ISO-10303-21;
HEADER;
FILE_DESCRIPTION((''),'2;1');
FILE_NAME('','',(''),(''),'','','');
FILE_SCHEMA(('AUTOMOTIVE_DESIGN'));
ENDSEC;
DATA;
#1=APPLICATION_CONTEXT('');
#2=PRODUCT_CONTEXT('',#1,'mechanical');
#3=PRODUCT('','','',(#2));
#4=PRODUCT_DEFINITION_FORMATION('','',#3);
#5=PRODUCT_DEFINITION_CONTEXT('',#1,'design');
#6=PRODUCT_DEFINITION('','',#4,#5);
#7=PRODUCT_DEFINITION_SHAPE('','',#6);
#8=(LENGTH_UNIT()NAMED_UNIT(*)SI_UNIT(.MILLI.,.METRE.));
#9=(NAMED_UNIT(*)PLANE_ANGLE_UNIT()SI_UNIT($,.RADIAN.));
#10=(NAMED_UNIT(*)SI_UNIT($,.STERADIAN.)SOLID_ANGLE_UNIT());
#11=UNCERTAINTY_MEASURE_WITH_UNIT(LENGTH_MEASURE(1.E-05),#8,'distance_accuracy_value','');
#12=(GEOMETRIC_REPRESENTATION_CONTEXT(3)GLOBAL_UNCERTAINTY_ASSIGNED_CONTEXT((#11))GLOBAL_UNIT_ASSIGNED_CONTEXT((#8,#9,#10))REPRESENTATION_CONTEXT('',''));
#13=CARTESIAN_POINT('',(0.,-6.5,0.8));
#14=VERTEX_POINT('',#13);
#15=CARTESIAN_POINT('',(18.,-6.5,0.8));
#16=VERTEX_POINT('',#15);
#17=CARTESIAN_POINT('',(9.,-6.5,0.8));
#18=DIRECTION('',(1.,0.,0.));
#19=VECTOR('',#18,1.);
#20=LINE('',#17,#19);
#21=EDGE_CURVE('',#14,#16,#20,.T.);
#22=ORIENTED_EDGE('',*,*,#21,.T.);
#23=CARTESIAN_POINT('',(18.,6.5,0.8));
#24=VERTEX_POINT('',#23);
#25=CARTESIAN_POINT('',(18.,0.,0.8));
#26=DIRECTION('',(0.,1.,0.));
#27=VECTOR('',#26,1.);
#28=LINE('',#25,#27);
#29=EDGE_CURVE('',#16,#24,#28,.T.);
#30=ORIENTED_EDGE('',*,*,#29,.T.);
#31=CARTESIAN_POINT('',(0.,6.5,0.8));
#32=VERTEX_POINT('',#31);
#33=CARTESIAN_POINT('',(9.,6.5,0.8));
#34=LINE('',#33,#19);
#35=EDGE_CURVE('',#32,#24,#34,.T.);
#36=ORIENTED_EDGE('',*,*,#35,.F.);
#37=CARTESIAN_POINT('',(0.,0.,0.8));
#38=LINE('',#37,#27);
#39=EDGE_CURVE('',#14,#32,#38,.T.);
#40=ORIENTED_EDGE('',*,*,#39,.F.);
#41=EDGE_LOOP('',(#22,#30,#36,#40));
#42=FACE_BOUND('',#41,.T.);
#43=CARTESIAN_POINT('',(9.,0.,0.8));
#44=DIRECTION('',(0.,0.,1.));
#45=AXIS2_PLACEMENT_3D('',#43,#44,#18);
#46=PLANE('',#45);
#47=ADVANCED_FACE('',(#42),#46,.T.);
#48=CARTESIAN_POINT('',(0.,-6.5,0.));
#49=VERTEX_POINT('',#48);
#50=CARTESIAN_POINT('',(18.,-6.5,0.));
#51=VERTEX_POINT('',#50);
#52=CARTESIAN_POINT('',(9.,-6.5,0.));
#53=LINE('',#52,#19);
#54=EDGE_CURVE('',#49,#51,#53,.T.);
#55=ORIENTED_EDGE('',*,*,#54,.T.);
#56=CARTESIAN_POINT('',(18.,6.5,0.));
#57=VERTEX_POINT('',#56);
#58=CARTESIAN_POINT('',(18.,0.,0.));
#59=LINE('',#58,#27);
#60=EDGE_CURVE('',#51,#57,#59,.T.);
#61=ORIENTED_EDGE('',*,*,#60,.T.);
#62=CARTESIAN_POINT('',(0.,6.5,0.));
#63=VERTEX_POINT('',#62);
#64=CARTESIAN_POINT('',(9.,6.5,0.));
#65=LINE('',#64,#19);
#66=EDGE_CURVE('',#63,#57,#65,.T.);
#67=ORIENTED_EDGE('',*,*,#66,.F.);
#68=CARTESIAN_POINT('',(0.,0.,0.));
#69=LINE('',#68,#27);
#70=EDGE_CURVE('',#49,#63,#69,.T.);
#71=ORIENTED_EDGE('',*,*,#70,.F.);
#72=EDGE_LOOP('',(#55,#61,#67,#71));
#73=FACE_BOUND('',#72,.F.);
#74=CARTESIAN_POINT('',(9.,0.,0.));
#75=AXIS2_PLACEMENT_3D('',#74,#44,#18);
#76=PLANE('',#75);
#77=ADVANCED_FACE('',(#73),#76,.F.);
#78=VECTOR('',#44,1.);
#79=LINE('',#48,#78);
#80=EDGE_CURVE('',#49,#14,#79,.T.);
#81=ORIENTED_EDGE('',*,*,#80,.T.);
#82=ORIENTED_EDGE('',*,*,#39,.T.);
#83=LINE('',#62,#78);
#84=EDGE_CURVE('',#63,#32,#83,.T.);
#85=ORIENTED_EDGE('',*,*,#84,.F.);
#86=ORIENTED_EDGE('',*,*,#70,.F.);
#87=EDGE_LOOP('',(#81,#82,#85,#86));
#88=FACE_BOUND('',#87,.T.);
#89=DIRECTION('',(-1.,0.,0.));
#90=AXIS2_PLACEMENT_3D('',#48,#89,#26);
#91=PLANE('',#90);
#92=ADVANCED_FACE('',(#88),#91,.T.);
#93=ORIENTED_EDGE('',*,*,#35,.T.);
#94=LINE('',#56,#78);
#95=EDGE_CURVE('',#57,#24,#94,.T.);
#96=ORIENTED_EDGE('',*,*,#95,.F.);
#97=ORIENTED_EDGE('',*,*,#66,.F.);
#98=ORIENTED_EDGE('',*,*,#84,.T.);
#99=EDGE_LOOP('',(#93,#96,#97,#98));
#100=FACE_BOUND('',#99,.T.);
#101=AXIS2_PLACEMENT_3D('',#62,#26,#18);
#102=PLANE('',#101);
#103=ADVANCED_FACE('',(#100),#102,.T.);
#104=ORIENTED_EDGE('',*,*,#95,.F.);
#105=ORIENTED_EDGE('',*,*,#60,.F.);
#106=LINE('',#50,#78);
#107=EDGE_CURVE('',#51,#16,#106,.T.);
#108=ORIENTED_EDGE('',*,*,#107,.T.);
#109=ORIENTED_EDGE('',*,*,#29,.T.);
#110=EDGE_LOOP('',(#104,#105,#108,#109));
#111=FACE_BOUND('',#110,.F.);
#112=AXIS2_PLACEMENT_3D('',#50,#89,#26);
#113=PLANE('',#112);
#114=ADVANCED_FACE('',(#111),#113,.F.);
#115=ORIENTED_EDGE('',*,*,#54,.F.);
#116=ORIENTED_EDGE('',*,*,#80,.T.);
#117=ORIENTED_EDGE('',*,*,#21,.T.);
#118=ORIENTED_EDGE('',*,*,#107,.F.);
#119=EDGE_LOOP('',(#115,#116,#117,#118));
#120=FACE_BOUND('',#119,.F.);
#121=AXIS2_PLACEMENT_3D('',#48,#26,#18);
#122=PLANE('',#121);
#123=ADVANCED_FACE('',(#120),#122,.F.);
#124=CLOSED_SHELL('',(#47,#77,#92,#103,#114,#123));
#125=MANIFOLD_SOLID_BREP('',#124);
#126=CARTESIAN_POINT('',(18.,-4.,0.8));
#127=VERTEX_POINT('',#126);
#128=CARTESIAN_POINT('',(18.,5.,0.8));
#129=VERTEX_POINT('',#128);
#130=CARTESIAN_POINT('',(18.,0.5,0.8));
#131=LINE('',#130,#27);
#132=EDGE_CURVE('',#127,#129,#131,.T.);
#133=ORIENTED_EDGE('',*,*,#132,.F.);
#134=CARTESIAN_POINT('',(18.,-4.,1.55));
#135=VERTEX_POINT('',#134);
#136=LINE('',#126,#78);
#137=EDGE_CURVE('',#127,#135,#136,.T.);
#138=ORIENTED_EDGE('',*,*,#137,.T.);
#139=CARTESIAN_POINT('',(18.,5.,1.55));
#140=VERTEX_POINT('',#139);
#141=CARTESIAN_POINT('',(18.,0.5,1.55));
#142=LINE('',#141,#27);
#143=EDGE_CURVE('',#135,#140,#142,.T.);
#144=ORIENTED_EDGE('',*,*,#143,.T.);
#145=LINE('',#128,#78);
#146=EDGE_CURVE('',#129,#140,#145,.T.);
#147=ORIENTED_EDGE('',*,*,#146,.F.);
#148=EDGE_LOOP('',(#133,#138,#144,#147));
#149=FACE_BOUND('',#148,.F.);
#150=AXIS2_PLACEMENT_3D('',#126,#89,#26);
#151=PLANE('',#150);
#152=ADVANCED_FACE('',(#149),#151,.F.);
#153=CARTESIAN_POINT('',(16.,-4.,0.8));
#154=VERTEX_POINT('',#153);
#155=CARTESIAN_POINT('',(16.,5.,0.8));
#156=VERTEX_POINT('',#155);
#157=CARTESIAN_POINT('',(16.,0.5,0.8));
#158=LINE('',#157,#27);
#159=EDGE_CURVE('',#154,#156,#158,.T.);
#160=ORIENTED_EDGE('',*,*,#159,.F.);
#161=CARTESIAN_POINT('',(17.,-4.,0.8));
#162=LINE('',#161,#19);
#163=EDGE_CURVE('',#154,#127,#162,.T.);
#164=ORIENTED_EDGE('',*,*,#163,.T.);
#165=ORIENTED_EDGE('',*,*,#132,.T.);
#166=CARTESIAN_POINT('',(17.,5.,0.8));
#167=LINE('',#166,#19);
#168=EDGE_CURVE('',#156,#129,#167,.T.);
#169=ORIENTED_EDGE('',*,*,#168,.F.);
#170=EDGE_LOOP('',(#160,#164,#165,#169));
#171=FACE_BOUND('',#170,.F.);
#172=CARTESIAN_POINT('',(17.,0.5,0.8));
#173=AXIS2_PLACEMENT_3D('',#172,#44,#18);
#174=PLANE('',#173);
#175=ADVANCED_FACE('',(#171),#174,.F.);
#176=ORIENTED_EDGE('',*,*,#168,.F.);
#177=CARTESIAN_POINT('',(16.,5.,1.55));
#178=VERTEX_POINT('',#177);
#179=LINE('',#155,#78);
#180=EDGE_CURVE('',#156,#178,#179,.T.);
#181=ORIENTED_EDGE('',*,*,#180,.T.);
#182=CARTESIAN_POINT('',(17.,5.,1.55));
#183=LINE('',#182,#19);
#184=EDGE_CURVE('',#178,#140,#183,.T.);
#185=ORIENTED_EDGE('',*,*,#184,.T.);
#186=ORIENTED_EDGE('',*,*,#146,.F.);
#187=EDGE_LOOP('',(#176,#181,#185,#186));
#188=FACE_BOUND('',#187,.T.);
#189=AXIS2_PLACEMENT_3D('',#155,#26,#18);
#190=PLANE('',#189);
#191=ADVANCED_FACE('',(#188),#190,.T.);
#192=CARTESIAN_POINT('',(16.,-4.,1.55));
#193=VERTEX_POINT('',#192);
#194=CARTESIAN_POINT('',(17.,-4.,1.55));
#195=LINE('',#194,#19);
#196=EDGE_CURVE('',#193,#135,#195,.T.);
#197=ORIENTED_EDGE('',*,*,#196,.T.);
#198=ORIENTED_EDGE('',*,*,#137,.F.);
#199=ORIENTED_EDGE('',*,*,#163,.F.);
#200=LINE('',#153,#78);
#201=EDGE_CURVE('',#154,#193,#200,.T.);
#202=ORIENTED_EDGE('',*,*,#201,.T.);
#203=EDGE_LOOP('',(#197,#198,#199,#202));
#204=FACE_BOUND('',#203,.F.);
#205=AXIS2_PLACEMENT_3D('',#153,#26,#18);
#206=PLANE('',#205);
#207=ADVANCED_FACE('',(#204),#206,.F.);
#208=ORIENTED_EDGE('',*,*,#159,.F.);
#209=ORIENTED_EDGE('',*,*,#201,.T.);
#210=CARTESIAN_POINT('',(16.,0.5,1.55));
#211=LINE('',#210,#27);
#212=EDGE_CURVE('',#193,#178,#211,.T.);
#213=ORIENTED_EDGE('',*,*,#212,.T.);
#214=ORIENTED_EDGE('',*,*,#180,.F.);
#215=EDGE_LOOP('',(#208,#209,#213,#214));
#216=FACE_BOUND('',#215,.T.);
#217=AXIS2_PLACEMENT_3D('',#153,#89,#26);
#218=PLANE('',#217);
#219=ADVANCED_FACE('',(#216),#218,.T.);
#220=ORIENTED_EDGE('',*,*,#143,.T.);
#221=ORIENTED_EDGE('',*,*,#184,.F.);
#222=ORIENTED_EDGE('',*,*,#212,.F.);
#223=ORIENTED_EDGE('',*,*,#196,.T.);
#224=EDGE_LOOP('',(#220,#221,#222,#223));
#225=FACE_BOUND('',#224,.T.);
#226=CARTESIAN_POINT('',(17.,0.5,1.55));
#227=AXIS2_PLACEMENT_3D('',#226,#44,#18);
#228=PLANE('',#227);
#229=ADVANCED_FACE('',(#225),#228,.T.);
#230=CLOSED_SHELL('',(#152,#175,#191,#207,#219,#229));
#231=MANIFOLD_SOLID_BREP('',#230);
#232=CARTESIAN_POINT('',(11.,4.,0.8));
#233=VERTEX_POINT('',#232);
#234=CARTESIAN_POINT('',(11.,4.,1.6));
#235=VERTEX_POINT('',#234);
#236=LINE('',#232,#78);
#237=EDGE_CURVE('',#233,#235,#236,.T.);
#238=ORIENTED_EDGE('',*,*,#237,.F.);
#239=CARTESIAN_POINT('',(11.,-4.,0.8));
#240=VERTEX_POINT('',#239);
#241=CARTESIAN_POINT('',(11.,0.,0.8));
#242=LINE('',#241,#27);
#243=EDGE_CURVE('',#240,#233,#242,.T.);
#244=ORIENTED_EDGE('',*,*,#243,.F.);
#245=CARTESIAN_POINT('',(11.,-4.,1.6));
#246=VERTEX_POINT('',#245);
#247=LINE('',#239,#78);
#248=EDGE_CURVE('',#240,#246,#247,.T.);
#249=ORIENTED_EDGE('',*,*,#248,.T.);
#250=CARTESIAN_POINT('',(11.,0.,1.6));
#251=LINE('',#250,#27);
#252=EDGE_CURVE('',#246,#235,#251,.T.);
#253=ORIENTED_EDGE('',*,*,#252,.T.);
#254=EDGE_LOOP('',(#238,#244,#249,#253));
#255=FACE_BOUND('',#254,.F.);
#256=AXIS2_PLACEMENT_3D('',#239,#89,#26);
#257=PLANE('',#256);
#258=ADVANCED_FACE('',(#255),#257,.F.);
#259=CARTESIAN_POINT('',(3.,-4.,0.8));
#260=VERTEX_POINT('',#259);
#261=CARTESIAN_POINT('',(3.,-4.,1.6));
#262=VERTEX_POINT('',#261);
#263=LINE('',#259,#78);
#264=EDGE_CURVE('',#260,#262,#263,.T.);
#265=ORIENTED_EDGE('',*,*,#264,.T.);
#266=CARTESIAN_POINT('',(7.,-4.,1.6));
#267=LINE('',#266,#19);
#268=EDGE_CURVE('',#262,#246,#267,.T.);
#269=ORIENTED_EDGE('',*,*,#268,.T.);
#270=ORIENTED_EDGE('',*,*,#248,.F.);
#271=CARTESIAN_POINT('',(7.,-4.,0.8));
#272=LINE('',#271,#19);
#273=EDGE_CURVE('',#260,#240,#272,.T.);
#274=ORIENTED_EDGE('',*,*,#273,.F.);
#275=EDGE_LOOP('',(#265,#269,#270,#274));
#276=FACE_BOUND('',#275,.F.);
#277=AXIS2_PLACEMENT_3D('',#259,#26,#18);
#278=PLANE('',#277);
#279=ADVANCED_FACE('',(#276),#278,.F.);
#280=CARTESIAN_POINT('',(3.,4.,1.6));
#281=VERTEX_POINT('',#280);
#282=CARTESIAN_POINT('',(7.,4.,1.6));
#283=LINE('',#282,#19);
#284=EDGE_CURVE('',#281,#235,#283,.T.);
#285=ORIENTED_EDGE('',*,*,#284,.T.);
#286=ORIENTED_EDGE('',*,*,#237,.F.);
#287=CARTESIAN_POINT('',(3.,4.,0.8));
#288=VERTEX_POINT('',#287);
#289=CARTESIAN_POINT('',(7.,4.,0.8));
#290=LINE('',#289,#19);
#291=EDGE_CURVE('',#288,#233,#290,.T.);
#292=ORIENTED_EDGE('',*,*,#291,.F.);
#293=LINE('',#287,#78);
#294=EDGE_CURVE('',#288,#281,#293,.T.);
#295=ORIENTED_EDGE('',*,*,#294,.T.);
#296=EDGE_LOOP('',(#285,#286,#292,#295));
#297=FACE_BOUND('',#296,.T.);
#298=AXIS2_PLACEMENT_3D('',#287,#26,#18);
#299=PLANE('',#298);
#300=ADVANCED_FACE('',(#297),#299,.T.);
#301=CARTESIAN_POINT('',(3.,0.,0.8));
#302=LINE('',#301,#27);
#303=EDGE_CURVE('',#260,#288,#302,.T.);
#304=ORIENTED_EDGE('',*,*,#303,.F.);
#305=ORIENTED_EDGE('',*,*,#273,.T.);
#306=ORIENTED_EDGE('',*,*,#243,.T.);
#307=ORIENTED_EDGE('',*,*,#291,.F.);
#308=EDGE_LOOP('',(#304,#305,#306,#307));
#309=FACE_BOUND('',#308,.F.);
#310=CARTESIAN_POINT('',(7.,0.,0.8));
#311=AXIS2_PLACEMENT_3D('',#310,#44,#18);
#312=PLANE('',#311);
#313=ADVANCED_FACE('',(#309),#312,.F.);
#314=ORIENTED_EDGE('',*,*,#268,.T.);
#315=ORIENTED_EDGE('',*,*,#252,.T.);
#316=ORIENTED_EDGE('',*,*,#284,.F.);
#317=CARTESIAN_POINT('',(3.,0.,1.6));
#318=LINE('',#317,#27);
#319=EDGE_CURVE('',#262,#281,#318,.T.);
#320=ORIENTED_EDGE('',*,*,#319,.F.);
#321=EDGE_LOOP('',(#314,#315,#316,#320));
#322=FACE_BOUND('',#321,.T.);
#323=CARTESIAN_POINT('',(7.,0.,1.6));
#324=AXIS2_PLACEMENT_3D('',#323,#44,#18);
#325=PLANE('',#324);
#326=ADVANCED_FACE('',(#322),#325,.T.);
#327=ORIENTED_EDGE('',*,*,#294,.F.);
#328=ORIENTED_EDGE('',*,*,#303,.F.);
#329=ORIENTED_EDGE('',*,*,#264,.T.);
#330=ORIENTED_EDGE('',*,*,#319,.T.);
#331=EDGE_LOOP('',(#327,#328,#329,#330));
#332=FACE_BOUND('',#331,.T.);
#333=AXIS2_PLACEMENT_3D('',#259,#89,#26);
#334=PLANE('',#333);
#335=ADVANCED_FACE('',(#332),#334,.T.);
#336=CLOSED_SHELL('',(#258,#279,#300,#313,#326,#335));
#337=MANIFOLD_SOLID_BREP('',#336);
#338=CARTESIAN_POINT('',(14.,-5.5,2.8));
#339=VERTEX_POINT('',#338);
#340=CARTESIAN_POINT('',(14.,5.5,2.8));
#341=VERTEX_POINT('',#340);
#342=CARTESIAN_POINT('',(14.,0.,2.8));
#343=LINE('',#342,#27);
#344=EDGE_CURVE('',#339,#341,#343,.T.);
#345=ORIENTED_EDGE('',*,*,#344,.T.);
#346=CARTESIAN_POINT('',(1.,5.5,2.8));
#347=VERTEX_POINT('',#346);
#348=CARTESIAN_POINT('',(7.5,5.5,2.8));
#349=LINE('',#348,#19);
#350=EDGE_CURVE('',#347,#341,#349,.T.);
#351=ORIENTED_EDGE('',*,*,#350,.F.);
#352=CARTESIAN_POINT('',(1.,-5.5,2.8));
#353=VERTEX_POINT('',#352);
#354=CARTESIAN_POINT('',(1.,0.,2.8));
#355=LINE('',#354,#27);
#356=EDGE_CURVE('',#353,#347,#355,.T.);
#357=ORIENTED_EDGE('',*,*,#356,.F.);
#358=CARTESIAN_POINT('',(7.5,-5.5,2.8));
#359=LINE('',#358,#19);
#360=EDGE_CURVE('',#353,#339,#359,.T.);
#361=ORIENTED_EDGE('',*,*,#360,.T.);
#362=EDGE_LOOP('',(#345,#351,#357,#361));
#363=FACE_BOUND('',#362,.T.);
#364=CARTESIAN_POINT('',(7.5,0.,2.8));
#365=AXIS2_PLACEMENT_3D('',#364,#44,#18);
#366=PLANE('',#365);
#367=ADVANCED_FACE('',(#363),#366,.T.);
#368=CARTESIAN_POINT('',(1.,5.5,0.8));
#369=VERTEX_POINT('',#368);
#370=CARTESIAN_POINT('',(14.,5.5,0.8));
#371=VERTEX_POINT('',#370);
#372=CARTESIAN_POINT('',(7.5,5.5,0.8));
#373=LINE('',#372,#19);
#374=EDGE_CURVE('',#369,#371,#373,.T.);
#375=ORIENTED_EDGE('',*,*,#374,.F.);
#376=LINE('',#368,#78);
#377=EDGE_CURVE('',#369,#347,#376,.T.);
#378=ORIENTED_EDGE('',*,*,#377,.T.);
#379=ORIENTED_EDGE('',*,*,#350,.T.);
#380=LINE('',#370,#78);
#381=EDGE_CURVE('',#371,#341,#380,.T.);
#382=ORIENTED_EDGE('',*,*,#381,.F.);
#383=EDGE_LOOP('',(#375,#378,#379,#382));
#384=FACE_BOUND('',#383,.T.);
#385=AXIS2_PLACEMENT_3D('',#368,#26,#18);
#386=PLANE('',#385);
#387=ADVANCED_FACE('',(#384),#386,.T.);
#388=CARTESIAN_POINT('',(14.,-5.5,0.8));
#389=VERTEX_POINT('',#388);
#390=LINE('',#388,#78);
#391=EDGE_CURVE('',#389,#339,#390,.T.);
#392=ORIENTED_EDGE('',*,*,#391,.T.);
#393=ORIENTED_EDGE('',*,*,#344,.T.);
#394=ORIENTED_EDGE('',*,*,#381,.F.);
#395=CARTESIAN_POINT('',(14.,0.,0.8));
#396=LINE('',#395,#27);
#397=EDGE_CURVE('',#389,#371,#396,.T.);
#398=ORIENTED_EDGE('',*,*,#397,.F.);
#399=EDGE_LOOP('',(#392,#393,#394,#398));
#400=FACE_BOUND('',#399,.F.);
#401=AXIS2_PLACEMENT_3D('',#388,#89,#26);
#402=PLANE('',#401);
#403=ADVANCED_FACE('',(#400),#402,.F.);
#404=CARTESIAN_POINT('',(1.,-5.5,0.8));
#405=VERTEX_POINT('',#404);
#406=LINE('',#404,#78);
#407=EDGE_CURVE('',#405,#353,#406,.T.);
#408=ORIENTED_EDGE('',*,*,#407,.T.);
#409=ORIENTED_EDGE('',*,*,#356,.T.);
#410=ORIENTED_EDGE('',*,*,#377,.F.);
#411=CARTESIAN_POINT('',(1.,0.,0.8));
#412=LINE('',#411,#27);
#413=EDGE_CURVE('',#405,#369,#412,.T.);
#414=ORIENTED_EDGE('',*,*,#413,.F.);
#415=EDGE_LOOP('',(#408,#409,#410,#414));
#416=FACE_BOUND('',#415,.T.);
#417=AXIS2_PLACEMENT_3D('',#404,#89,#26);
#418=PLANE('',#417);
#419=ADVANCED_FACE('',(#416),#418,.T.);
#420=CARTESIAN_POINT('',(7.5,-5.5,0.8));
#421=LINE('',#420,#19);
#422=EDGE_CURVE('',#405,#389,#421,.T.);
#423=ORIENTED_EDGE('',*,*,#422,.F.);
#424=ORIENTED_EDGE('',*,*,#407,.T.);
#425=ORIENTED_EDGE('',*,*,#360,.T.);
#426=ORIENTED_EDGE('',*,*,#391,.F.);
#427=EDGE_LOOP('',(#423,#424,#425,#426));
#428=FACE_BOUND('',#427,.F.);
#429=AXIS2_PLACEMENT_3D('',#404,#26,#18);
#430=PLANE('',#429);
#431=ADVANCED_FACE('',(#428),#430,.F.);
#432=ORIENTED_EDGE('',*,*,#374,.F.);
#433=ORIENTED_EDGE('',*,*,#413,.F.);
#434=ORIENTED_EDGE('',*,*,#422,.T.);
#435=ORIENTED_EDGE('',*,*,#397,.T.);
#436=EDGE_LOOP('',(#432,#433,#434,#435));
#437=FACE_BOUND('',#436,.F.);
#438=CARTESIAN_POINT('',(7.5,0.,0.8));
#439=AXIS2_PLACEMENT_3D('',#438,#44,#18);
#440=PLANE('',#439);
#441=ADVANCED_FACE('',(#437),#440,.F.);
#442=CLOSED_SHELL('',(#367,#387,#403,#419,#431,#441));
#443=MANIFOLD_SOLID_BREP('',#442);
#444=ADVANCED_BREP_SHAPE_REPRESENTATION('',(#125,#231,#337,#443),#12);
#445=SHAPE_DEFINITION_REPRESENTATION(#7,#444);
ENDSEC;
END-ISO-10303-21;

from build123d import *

# Parameters (mm, degrees)
BOX_W        = 18
BOX_H        = 13
BOX_DEPTH    = 0.8
BOX001_W     = 13
BOX001_H     = 11
BOX001_DEPTH = 2
BOX002_W     = 2
BOX002_H     = 9
BOX002_DEPTH = 0.75
BOX003_W     = 8
BOX003_H     = 8
BOX003_DEPTH = 0.8


with BuildPart() as pcb:
    # Box → Box (new body)
    with BuildSketch(Plane(origin=(0, -6.5, 0), x_dir=(1, 0, 0), z_dir=(0, 0, 1))):
        with Locations((9, 6.5)):
            Rectangle(BOX_W, BOX_H)
    extrude(amount=BOX_DEPTH)


with BuildPart() as shield:
    # Box001 → Box001 (new body)
    with BuildSketch(Plane(origin=(1, -5.5, 0.8), x_dir=(1, 0, 0), z_dir=(0, 0, 1))):
        with Locations((6.5, 5.5)):
            Rectangle(BOX001_W, BOX001_H)
    extrude(amount=BOX001_DEPTH)


with BuildPart() as antenna:
    # Box002 → Box002 (new body)
    with BuildSketch(Plane(origin=(16, -4, 0.8), x_dir=(1, 0, 0), z_dir=(0, 0, 1))):
        with Locations((1, 4.5)):
            Rectangle(BOX002_W, BOX002_H)
    extrude(amount=BOX002_DEPTH)


with BuildPart() as mcu:
    # Box003 → Box003 (new body)
    with BuildSketch(Plane(origin=(3, -4, 0.8), x_dir=(1, 0, 0), z_dir=(0, 0, 1))):
        with Locations((4, 4)):
            Rectangle(BOX003_W, BOX003_H)
    extrude(amount=BOX003_DEPTH)


solid = Compound([pcb.part, shield.part, antenna.part, mcu.part])
